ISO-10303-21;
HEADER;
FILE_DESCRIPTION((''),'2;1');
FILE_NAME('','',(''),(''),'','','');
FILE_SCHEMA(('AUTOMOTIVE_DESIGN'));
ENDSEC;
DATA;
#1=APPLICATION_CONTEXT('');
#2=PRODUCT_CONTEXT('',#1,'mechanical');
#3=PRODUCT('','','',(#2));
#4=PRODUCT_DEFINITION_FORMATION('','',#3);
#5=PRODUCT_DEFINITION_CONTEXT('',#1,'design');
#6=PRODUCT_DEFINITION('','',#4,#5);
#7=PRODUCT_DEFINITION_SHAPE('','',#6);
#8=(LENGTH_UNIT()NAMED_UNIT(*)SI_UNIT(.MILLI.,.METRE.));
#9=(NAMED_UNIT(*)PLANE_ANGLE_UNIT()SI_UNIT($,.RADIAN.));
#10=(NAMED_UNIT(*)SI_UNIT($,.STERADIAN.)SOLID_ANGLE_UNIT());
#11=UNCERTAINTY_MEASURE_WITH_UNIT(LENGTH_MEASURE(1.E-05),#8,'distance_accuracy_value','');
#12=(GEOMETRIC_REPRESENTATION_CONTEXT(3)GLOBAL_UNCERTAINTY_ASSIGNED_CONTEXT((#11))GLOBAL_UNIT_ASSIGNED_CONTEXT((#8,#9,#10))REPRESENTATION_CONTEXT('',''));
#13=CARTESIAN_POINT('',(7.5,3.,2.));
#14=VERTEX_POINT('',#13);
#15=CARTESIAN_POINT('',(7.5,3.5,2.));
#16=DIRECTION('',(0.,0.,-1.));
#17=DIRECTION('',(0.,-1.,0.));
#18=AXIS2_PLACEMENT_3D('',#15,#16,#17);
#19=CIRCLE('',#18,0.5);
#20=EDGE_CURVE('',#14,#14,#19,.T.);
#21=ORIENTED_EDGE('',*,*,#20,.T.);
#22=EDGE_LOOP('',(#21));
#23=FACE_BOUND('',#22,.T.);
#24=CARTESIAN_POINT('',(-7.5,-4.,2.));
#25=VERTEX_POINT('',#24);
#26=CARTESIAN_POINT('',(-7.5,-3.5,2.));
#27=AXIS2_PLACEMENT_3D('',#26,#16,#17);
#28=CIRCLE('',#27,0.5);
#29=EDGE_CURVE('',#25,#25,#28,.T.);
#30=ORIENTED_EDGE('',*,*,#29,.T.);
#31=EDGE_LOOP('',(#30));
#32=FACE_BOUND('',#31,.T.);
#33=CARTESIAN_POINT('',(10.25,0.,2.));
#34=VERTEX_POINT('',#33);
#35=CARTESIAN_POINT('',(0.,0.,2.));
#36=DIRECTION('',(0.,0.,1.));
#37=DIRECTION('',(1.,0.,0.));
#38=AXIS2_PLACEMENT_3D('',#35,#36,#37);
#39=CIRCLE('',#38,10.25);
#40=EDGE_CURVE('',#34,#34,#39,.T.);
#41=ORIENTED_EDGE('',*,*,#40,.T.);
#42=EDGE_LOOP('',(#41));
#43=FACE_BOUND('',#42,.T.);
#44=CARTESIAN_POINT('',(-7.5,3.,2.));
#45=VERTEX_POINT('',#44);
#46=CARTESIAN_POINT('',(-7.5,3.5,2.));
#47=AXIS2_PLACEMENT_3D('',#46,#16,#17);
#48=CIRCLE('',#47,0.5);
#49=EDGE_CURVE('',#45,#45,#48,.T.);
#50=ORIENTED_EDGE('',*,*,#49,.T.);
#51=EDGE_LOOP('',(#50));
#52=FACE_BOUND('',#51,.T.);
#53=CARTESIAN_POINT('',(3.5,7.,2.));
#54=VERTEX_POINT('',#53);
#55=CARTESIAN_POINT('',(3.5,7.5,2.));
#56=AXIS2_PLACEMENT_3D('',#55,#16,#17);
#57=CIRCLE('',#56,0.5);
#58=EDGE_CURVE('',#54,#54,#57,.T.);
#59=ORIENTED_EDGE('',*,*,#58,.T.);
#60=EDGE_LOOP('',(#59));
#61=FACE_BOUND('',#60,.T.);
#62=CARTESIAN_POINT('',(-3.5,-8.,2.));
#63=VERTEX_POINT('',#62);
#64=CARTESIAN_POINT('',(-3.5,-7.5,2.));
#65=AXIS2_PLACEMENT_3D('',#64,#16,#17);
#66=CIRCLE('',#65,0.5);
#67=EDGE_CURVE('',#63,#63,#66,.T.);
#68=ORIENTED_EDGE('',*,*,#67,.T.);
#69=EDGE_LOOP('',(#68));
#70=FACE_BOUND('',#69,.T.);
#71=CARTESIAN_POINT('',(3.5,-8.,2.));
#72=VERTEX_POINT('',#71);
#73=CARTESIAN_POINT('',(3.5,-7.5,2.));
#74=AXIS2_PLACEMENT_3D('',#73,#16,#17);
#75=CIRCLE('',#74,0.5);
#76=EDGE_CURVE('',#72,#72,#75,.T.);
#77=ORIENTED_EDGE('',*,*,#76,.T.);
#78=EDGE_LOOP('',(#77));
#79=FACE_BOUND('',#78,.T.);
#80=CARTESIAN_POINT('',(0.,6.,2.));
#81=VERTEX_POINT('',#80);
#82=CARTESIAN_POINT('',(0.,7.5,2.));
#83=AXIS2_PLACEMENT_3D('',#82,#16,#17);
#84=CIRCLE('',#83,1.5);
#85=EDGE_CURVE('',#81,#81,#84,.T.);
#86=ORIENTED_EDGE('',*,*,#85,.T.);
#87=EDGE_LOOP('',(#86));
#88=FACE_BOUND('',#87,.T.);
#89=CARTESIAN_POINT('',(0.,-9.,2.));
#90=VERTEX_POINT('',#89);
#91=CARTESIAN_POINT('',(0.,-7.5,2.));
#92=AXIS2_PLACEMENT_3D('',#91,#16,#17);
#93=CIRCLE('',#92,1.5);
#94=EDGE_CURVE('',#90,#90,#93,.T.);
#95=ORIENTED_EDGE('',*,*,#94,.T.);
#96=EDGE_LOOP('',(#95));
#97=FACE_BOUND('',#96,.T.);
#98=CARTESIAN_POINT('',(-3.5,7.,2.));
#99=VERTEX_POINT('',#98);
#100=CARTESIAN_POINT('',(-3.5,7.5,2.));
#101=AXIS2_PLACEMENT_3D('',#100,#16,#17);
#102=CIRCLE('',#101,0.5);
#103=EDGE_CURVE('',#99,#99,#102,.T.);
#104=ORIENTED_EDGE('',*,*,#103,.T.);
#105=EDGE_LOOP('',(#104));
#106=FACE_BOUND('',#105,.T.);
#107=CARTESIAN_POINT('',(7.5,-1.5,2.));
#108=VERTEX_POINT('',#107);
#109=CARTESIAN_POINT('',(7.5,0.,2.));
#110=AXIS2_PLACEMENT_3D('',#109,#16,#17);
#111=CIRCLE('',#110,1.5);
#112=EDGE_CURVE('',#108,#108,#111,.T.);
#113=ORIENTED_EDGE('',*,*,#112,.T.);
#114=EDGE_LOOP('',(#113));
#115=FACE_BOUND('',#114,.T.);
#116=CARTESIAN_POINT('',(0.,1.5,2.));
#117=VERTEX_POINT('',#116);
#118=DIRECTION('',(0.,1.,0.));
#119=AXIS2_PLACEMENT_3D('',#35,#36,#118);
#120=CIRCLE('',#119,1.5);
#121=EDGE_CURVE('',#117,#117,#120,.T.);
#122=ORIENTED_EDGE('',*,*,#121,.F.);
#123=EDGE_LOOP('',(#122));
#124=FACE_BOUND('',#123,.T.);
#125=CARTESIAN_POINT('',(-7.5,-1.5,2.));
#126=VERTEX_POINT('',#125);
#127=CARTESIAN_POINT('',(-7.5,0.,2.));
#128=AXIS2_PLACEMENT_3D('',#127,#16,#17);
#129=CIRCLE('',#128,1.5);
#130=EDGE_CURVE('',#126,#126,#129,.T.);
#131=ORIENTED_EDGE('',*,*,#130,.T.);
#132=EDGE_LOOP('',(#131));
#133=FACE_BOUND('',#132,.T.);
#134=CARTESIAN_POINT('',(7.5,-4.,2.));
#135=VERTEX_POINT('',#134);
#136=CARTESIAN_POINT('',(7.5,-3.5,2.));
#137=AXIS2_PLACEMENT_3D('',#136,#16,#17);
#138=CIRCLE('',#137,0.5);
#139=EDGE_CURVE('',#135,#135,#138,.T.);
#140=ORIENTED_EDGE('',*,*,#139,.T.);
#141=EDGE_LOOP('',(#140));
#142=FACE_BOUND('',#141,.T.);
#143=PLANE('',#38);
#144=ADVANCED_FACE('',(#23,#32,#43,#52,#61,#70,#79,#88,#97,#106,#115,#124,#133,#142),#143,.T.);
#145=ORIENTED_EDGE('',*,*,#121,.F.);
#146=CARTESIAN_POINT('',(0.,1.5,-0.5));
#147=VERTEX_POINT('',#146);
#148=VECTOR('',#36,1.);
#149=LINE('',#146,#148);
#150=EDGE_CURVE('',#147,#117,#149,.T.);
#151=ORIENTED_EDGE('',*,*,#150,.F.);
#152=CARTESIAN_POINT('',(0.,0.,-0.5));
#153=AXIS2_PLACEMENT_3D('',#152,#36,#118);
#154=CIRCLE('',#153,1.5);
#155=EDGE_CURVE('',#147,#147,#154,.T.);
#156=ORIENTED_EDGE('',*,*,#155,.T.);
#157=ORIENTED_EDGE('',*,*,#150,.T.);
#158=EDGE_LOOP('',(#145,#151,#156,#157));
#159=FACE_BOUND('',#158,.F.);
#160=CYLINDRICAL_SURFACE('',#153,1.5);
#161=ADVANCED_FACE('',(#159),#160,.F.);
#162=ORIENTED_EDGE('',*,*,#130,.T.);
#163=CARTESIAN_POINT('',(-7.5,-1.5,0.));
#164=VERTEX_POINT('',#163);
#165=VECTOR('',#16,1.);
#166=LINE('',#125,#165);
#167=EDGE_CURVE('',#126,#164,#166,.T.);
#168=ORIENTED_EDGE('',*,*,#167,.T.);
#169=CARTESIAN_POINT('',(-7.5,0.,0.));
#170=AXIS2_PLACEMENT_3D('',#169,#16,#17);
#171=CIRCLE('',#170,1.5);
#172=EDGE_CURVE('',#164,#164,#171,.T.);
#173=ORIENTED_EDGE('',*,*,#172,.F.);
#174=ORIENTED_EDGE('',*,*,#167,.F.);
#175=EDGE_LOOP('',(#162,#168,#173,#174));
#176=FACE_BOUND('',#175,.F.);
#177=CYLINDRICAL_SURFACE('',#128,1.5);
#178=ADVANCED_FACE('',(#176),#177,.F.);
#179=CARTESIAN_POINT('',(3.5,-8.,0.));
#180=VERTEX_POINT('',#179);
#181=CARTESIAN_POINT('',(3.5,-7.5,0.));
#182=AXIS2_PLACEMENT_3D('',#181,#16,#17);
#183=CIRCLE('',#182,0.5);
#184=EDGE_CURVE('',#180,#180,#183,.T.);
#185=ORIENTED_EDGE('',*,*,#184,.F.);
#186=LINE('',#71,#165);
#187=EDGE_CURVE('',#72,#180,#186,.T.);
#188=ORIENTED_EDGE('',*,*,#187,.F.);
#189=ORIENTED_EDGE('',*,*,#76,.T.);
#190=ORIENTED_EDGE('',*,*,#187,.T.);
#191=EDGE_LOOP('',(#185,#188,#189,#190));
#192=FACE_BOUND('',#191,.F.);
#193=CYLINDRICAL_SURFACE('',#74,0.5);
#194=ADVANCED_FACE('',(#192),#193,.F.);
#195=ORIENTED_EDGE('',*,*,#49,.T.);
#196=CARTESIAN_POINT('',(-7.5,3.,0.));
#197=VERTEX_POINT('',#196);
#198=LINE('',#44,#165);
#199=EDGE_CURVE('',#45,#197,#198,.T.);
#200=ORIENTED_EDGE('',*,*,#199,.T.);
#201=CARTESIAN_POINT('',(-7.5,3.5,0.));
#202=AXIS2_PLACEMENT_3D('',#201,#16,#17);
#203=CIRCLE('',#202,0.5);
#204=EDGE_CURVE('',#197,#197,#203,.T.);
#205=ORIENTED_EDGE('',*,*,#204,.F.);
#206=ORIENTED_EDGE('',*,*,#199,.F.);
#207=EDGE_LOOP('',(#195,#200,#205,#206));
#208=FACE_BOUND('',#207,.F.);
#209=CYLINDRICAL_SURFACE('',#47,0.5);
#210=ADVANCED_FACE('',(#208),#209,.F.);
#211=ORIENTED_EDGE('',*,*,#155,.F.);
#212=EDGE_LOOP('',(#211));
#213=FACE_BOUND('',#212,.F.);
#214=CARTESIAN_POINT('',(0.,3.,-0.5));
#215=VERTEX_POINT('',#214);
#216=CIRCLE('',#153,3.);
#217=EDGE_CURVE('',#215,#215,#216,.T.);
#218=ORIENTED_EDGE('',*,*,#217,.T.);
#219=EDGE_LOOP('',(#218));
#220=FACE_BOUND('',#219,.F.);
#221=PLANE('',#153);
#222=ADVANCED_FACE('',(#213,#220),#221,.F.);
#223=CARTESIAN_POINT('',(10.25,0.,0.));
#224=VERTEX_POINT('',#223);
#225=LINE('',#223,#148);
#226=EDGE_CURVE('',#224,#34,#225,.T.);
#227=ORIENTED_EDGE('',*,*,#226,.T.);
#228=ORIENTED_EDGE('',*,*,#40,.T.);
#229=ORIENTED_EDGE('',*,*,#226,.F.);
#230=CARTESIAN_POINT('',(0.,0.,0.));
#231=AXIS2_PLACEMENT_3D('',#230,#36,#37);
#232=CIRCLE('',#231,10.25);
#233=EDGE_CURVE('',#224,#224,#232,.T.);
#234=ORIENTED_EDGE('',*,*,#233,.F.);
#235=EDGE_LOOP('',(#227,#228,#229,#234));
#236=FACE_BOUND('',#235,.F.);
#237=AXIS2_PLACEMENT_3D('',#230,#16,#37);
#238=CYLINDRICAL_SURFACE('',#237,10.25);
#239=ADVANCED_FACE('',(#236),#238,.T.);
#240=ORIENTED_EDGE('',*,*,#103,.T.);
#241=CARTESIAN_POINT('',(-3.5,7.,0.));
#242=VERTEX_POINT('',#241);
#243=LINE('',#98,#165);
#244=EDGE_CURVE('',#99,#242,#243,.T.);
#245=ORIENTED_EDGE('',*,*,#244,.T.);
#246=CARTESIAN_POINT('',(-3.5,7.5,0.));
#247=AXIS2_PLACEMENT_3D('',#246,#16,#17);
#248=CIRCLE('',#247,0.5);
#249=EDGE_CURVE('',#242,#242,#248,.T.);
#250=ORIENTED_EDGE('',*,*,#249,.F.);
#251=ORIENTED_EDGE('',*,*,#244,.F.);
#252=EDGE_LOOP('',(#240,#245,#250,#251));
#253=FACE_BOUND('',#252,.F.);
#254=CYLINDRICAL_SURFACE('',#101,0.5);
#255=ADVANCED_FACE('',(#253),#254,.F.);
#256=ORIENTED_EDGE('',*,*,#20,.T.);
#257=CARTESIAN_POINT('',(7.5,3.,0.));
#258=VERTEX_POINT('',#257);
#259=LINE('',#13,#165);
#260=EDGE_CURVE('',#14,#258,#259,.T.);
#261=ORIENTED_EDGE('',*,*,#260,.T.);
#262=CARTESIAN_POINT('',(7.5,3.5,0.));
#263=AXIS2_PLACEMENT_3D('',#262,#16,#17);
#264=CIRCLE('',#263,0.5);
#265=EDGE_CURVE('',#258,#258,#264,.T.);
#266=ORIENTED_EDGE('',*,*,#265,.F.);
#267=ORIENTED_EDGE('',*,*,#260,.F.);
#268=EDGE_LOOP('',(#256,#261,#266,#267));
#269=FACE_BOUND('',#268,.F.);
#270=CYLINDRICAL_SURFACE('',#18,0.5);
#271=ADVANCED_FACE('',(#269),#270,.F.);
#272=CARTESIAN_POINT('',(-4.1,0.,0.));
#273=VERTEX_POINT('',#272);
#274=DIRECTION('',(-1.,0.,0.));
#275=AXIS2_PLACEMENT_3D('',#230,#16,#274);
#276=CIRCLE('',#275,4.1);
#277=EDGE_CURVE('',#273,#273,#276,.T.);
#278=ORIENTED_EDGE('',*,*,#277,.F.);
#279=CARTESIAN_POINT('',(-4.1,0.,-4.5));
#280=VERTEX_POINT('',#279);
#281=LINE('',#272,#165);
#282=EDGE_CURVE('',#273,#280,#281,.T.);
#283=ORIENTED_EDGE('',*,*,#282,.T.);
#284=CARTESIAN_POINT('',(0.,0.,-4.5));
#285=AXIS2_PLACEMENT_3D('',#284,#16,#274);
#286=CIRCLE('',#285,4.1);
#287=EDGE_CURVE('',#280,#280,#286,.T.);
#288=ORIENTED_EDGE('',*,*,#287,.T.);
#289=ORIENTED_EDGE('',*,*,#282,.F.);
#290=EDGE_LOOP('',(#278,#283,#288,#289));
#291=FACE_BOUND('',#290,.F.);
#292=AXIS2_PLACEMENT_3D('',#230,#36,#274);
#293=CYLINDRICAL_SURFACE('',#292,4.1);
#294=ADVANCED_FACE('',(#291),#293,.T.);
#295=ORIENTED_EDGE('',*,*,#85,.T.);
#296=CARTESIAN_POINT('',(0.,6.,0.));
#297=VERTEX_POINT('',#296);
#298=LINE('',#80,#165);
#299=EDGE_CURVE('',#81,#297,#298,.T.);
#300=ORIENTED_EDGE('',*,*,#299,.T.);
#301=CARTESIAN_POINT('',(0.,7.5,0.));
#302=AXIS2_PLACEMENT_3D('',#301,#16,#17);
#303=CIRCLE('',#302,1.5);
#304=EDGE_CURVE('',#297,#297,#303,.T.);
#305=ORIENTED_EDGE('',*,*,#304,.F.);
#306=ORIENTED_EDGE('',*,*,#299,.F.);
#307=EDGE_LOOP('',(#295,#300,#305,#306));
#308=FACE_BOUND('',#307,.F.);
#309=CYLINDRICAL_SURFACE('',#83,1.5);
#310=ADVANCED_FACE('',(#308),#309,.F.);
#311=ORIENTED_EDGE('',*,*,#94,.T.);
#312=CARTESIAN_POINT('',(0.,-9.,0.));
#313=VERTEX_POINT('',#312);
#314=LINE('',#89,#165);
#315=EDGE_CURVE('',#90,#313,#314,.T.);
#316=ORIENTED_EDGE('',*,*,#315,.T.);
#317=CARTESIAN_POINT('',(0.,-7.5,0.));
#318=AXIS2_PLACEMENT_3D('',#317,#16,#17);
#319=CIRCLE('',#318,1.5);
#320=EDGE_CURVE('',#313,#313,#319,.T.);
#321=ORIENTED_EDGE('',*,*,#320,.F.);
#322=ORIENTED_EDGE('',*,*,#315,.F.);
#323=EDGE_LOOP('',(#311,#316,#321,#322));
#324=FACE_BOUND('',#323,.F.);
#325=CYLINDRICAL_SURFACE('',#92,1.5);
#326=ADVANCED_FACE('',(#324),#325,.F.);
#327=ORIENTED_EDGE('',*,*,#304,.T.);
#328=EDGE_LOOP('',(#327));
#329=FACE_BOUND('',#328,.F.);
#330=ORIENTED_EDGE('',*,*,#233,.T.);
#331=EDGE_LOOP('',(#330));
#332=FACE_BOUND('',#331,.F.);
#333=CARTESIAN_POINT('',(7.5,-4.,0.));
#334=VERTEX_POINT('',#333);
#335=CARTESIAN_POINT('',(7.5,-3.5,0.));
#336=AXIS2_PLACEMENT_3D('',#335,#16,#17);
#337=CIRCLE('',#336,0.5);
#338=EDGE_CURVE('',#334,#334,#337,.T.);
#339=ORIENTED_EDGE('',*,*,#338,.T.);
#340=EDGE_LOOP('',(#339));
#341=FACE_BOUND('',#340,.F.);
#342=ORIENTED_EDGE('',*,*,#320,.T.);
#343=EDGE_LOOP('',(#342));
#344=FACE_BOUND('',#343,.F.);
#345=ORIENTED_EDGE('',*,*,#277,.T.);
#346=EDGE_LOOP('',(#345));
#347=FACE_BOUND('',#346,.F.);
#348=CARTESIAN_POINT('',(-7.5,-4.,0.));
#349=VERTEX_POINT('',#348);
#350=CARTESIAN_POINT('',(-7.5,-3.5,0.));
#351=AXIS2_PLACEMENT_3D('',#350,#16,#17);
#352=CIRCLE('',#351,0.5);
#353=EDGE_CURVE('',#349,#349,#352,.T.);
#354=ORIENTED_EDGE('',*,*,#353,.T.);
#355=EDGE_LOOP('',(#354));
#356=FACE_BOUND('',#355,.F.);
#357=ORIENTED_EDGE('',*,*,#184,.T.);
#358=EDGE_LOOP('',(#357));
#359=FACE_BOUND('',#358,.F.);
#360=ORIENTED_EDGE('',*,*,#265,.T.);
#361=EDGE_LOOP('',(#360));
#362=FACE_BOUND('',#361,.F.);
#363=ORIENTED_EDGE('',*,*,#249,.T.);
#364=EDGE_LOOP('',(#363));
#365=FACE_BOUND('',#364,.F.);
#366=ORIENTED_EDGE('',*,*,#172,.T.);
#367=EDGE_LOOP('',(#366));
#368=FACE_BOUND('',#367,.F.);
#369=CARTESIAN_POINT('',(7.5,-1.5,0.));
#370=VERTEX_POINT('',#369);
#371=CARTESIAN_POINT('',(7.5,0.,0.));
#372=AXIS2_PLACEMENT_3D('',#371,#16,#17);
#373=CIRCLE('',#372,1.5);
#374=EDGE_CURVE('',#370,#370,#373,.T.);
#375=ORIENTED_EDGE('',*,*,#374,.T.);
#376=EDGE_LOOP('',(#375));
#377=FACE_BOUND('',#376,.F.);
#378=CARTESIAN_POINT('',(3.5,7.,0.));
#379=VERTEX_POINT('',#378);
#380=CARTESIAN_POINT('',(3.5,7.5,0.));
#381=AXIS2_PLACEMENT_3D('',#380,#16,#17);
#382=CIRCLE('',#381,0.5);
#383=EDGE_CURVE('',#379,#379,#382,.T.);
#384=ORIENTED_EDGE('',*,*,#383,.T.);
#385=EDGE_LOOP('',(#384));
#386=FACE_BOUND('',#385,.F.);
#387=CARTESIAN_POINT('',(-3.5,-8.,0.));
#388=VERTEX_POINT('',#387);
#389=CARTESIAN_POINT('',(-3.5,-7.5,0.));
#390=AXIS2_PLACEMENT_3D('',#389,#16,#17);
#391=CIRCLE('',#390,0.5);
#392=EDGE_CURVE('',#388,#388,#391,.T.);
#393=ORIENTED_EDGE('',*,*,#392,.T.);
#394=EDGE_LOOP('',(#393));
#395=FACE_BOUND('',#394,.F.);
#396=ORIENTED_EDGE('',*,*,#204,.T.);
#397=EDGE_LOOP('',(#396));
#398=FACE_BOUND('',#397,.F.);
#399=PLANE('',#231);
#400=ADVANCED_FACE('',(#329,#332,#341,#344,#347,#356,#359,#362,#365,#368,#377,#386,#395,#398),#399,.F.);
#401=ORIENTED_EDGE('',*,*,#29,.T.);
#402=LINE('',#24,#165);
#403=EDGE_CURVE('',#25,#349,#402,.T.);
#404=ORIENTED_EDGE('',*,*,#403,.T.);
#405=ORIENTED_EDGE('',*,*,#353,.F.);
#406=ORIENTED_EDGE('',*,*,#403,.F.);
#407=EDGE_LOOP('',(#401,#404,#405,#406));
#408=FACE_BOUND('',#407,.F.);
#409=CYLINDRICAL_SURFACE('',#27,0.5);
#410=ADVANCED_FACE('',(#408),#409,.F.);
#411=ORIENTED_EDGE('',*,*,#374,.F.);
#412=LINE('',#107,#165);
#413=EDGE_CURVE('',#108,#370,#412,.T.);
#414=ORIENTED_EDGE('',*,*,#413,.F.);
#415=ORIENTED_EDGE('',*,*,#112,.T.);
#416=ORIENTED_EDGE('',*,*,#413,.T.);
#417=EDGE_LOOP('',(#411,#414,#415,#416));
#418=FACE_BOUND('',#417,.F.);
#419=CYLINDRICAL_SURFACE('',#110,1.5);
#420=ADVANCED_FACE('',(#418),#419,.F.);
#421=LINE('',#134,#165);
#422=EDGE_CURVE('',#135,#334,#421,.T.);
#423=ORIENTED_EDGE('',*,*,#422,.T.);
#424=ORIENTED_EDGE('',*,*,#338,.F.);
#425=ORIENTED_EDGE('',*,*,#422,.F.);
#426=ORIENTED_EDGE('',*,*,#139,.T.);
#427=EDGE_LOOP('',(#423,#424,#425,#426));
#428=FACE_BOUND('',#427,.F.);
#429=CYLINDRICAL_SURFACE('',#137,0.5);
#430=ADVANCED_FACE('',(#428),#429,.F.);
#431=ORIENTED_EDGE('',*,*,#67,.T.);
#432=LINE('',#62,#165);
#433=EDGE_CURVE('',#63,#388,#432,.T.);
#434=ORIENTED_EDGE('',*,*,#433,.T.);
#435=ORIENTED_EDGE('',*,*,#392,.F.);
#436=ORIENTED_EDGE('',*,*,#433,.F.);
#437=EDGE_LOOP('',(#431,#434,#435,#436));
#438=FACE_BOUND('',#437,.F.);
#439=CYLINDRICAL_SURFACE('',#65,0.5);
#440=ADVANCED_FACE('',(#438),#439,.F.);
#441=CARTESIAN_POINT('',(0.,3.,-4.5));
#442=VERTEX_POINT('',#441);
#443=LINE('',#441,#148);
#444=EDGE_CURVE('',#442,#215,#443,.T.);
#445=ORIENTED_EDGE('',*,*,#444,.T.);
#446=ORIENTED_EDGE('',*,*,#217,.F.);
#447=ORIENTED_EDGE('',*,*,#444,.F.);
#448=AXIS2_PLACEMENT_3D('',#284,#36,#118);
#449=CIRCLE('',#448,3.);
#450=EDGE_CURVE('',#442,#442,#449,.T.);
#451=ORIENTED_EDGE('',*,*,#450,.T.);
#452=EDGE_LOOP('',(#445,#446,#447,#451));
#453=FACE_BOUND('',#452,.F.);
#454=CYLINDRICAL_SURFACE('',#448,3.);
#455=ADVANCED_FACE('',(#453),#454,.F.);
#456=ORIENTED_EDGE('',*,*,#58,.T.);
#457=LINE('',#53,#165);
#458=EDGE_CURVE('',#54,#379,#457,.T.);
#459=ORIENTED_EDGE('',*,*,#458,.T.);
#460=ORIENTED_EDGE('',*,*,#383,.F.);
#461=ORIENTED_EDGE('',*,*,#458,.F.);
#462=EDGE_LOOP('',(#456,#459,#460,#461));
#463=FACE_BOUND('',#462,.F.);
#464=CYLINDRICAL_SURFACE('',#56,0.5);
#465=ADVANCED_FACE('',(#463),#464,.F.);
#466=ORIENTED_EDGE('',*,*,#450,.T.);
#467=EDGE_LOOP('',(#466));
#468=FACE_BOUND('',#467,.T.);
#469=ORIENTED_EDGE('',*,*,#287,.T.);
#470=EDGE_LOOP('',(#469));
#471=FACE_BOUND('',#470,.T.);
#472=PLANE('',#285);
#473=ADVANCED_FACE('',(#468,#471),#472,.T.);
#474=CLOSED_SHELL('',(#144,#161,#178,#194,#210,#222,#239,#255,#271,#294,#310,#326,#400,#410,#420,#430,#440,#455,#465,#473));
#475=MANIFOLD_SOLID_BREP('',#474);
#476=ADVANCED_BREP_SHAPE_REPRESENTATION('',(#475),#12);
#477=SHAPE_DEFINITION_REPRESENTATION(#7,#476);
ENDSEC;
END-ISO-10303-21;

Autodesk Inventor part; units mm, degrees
ref_plane "YZ Plane" through (0, 0, 0) normal (1, 0, 0) x (0, 1, 0)
ref_plane "XZ Plane" through (0, 0, 0) normal (0, 1, 0) x (-1, 0, 0)
ref_plane "XY Plane" through (0, 0, 0) normal (0, 0, 1) x (1, 0, 0)
sketch "スケッチ1" plane through (0, 0, 0) normal (0, 0, 1) x (1, 0, 0)
  circle A0 centre (0, 0) radius 10.25
  dimension "d0" = 20.5
extrude "押し出し1" add sketch "スケッチ1" along normal blind 2
sketch "スケッチ2" plane through (0, 0, 0) normal (0, 0, -1) x (-1, 0, 0)
  circle A0 centre (0, 0) radius 4.1
  dimension "d3" = 8.2
extrude "押し出し2" add sketch "スケッチ2" along normal blind 4.5
sketch "スケッチ3" plane through (0, 0, -4.5) normal (0, 0, -1) x (-1, 0, 0)
  point P0 (0, 0)
  point P1 (0, 0)
hole "穴1" at (0, 0, -4.5) direction (0, 0, 1) diameter 3 end through all counterbore diameter 6 counterbore depth 4
sketch "スケッチ4" plane through (0, 0, 2) normal (0, 0, 1) x (1, 0, 0)
  point P0 (0, 0)
  point P1 (7.5, 0)
  point P2 (0, 7.5)
  point P3 (-7.5, 0)
  point P4 (0, -7.5)
  dimension "d13" = 7.5
  dimension "d16" = 360
hole "穴2" at (7.5, 0, 2) at (0, 7.5, 2) at (-7.5, 0, 2) at (0, -7.5, 2) direction (0, 0, -1) diameter 3 end through all
sketch "スケッチ5" plane through (0, 0, 2) normal (0, 0, 1) x (1, 0, 0)
  circle A0 centre (7.5, 0) radius 1.5 projected
  point P0 (0, 0)
  point P1 (7.5, 3.5)
  point P2 (7.5, -3.5)
  point P3 (-3.5, 7.5)
  point P4 (3.5, 7.5)
  point P5 (-7.5, -3.5)
  point P6 (-7.5, 3.5)
  point P7 (3.5, -7.5)
  point P8 (-3.5, -7.5)
  dimension "d25" = 3.5
  dimension "d26" = 3.5
  dimension "d29" = 360
hole "穴3" at (7.5, 3.5, 2) at (7.5, -3.5, 2) at (-3.5, 7.5, 2) at (3.5, 7.5, 2) at (-7.5, -3.5, 2) at (-7.5, 3.5, 2) at (3.5, -7.5, 2) at (-3.5, -7.5, 2) direction (0, 0, -1) diameter 1 end through all
equation "\"d26\" = d25"
properties part number "ServoHorn_Circle" material "ABS プラスチック"
